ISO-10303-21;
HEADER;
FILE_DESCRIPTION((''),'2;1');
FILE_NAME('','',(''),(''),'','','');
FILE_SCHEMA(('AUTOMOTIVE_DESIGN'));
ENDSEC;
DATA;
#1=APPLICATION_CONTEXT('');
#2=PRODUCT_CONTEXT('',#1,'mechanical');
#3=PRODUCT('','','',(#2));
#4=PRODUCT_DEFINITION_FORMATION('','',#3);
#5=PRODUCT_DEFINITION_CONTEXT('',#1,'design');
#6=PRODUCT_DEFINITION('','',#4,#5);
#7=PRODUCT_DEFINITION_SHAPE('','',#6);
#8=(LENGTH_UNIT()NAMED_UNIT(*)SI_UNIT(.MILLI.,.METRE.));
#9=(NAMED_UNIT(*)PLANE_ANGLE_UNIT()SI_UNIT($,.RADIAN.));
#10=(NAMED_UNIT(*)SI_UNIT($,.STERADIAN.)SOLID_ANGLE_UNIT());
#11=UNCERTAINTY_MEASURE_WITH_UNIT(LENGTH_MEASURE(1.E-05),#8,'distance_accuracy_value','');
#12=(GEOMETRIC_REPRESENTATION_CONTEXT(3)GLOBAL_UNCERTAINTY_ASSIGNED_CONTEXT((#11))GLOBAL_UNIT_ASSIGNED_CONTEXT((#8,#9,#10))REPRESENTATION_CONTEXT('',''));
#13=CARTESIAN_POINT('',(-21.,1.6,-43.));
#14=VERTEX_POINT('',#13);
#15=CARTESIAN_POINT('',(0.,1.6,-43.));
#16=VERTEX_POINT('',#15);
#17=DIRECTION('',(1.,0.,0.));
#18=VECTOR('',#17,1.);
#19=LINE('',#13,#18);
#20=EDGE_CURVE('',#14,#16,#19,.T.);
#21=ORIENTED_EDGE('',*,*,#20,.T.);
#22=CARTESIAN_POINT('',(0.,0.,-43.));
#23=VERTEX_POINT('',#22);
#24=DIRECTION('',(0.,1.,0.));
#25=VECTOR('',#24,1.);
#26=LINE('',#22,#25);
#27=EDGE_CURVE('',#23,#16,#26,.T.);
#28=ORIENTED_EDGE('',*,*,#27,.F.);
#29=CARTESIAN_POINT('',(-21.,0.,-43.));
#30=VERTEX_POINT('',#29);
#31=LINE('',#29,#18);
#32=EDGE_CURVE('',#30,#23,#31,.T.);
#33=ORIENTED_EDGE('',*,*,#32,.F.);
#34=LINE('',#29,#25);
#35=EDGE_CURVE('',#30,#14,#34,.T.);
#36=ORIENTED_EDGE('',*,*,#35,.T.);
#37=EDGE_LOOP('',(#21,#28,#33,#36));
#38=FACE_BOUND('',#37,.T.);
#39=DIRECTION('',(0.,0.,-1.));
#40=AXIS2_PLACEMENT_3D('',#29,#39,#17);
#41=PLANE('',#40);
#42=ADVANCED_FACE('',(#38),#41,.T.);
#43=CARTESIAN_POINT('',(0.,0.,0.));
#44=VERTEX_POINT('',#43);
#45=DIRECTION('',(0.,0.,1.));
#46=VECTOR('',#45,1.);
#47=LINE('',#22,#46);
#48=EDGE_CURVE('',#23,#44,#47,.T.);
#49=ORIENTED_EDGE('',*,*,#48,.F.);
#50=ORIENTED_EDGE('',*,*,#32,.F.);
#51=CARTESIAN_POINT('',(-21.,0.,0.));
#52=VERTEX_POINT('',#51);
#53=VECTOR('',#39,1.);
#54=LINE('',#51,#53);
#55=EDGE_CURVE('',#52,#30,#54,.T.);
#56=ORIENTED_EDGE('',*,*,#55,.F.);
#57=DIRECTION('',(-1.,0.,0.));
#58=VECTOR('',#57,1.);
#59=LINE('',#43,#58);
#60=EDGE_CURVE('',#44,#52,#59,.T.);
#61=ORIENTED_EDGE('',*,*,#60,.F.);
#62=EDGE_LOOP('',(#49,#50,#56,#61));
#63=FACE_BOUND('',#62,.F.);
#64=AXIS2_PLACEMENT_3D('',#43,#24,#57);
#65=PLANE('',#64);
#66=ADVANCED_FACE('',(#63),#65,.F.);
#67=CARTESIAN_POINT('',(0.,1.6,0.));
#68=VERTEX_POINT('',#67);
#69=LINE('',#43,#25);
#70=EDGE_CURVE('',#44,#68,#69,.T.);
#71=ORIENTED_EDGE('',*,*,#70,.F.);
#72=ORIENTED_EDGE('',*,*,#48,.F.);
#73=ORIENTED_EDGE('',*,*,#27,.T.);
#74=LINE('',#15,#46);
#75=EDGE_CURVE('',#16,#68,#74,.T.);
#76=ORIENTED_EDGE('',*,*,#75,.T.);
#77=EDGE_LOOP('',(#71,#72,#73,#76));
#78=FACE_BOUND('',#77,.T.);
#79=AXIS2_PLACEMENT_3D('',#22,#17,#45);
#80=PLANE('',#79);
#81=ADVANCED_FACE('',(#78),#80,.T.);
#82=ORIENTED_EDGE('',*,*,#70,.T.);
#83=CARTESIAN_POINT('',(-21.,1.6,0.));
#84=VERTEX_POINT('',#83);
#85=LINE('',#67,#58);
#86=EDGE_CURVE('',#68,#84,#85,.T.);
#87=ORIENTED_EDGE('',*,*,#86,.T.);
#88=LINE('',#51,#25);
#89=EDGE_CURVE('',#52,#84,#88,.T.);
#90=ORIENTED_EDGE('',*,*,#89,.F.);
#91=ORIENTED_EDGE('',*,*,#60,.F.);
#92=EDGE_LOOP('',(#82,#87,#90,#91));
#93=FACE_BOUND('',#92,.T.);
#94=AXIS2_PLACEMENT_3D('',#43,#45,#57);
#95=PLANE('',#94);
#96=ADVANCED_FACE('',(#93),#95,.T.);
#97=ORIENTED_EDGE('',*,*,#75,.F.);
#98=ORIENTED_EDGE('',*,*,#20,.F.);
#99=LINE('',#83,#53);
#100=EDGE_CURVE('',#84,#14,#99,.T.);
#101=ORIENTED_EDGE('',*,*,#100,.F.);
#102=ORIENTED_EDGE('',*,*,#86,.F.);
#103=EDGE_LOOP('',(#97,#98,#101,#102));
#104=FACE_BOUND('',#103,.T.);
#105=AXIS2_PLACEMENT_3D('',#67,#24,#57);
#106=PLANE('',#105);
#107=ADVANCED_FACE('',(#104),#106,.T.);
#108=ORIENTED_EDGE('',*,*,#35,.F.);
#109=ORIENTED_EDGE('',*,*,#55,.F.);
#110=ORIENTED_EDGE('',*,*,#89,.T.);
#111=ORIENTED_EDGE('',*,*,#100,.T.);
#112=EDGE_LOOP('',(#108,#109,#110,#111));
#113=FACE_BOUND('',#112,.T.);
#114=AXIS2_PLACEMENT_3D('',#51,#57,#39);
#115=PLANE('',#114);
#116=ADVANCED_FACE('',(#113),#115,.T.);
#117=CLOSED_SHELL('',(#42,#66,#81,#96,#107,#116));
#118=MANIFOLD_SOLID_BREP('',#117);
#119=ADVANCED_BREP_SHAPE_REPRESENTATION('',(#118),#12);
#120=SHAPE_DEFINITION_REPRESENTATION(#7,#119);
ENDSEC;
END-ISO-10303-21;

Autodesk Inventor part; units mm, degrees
ref_plane "YZ Plane" through (0, 0, 0) normal (1, 0, 0) x (0, 1, 0)
ref_plane "XZ Plane" through (0, 0, 0) normal (0, 1, 0) x (-1, 0, 0)
ref_plane "XY Plane" through (0, 0, 0) normal (0, 0, 1) x (1, 0, 0)
sketch "Sketch2" plane through (0, 0, 0) normal (0, 1, 0) x (-1, 0, 0)
  line L0 (0, 0) -> (21, 0)
  line L1 (21, 0) -> (21, -43)
  line L2 (21, -43) -> (0, -43)
  line L3 (0, -43) -> (0, 0)
  dimension "d0" = 43
  dimension "d1" = 21
extrude "Extrusion1" add sketch "Sketch2" along normal blind 1.6
properties part number "buck_converter"
